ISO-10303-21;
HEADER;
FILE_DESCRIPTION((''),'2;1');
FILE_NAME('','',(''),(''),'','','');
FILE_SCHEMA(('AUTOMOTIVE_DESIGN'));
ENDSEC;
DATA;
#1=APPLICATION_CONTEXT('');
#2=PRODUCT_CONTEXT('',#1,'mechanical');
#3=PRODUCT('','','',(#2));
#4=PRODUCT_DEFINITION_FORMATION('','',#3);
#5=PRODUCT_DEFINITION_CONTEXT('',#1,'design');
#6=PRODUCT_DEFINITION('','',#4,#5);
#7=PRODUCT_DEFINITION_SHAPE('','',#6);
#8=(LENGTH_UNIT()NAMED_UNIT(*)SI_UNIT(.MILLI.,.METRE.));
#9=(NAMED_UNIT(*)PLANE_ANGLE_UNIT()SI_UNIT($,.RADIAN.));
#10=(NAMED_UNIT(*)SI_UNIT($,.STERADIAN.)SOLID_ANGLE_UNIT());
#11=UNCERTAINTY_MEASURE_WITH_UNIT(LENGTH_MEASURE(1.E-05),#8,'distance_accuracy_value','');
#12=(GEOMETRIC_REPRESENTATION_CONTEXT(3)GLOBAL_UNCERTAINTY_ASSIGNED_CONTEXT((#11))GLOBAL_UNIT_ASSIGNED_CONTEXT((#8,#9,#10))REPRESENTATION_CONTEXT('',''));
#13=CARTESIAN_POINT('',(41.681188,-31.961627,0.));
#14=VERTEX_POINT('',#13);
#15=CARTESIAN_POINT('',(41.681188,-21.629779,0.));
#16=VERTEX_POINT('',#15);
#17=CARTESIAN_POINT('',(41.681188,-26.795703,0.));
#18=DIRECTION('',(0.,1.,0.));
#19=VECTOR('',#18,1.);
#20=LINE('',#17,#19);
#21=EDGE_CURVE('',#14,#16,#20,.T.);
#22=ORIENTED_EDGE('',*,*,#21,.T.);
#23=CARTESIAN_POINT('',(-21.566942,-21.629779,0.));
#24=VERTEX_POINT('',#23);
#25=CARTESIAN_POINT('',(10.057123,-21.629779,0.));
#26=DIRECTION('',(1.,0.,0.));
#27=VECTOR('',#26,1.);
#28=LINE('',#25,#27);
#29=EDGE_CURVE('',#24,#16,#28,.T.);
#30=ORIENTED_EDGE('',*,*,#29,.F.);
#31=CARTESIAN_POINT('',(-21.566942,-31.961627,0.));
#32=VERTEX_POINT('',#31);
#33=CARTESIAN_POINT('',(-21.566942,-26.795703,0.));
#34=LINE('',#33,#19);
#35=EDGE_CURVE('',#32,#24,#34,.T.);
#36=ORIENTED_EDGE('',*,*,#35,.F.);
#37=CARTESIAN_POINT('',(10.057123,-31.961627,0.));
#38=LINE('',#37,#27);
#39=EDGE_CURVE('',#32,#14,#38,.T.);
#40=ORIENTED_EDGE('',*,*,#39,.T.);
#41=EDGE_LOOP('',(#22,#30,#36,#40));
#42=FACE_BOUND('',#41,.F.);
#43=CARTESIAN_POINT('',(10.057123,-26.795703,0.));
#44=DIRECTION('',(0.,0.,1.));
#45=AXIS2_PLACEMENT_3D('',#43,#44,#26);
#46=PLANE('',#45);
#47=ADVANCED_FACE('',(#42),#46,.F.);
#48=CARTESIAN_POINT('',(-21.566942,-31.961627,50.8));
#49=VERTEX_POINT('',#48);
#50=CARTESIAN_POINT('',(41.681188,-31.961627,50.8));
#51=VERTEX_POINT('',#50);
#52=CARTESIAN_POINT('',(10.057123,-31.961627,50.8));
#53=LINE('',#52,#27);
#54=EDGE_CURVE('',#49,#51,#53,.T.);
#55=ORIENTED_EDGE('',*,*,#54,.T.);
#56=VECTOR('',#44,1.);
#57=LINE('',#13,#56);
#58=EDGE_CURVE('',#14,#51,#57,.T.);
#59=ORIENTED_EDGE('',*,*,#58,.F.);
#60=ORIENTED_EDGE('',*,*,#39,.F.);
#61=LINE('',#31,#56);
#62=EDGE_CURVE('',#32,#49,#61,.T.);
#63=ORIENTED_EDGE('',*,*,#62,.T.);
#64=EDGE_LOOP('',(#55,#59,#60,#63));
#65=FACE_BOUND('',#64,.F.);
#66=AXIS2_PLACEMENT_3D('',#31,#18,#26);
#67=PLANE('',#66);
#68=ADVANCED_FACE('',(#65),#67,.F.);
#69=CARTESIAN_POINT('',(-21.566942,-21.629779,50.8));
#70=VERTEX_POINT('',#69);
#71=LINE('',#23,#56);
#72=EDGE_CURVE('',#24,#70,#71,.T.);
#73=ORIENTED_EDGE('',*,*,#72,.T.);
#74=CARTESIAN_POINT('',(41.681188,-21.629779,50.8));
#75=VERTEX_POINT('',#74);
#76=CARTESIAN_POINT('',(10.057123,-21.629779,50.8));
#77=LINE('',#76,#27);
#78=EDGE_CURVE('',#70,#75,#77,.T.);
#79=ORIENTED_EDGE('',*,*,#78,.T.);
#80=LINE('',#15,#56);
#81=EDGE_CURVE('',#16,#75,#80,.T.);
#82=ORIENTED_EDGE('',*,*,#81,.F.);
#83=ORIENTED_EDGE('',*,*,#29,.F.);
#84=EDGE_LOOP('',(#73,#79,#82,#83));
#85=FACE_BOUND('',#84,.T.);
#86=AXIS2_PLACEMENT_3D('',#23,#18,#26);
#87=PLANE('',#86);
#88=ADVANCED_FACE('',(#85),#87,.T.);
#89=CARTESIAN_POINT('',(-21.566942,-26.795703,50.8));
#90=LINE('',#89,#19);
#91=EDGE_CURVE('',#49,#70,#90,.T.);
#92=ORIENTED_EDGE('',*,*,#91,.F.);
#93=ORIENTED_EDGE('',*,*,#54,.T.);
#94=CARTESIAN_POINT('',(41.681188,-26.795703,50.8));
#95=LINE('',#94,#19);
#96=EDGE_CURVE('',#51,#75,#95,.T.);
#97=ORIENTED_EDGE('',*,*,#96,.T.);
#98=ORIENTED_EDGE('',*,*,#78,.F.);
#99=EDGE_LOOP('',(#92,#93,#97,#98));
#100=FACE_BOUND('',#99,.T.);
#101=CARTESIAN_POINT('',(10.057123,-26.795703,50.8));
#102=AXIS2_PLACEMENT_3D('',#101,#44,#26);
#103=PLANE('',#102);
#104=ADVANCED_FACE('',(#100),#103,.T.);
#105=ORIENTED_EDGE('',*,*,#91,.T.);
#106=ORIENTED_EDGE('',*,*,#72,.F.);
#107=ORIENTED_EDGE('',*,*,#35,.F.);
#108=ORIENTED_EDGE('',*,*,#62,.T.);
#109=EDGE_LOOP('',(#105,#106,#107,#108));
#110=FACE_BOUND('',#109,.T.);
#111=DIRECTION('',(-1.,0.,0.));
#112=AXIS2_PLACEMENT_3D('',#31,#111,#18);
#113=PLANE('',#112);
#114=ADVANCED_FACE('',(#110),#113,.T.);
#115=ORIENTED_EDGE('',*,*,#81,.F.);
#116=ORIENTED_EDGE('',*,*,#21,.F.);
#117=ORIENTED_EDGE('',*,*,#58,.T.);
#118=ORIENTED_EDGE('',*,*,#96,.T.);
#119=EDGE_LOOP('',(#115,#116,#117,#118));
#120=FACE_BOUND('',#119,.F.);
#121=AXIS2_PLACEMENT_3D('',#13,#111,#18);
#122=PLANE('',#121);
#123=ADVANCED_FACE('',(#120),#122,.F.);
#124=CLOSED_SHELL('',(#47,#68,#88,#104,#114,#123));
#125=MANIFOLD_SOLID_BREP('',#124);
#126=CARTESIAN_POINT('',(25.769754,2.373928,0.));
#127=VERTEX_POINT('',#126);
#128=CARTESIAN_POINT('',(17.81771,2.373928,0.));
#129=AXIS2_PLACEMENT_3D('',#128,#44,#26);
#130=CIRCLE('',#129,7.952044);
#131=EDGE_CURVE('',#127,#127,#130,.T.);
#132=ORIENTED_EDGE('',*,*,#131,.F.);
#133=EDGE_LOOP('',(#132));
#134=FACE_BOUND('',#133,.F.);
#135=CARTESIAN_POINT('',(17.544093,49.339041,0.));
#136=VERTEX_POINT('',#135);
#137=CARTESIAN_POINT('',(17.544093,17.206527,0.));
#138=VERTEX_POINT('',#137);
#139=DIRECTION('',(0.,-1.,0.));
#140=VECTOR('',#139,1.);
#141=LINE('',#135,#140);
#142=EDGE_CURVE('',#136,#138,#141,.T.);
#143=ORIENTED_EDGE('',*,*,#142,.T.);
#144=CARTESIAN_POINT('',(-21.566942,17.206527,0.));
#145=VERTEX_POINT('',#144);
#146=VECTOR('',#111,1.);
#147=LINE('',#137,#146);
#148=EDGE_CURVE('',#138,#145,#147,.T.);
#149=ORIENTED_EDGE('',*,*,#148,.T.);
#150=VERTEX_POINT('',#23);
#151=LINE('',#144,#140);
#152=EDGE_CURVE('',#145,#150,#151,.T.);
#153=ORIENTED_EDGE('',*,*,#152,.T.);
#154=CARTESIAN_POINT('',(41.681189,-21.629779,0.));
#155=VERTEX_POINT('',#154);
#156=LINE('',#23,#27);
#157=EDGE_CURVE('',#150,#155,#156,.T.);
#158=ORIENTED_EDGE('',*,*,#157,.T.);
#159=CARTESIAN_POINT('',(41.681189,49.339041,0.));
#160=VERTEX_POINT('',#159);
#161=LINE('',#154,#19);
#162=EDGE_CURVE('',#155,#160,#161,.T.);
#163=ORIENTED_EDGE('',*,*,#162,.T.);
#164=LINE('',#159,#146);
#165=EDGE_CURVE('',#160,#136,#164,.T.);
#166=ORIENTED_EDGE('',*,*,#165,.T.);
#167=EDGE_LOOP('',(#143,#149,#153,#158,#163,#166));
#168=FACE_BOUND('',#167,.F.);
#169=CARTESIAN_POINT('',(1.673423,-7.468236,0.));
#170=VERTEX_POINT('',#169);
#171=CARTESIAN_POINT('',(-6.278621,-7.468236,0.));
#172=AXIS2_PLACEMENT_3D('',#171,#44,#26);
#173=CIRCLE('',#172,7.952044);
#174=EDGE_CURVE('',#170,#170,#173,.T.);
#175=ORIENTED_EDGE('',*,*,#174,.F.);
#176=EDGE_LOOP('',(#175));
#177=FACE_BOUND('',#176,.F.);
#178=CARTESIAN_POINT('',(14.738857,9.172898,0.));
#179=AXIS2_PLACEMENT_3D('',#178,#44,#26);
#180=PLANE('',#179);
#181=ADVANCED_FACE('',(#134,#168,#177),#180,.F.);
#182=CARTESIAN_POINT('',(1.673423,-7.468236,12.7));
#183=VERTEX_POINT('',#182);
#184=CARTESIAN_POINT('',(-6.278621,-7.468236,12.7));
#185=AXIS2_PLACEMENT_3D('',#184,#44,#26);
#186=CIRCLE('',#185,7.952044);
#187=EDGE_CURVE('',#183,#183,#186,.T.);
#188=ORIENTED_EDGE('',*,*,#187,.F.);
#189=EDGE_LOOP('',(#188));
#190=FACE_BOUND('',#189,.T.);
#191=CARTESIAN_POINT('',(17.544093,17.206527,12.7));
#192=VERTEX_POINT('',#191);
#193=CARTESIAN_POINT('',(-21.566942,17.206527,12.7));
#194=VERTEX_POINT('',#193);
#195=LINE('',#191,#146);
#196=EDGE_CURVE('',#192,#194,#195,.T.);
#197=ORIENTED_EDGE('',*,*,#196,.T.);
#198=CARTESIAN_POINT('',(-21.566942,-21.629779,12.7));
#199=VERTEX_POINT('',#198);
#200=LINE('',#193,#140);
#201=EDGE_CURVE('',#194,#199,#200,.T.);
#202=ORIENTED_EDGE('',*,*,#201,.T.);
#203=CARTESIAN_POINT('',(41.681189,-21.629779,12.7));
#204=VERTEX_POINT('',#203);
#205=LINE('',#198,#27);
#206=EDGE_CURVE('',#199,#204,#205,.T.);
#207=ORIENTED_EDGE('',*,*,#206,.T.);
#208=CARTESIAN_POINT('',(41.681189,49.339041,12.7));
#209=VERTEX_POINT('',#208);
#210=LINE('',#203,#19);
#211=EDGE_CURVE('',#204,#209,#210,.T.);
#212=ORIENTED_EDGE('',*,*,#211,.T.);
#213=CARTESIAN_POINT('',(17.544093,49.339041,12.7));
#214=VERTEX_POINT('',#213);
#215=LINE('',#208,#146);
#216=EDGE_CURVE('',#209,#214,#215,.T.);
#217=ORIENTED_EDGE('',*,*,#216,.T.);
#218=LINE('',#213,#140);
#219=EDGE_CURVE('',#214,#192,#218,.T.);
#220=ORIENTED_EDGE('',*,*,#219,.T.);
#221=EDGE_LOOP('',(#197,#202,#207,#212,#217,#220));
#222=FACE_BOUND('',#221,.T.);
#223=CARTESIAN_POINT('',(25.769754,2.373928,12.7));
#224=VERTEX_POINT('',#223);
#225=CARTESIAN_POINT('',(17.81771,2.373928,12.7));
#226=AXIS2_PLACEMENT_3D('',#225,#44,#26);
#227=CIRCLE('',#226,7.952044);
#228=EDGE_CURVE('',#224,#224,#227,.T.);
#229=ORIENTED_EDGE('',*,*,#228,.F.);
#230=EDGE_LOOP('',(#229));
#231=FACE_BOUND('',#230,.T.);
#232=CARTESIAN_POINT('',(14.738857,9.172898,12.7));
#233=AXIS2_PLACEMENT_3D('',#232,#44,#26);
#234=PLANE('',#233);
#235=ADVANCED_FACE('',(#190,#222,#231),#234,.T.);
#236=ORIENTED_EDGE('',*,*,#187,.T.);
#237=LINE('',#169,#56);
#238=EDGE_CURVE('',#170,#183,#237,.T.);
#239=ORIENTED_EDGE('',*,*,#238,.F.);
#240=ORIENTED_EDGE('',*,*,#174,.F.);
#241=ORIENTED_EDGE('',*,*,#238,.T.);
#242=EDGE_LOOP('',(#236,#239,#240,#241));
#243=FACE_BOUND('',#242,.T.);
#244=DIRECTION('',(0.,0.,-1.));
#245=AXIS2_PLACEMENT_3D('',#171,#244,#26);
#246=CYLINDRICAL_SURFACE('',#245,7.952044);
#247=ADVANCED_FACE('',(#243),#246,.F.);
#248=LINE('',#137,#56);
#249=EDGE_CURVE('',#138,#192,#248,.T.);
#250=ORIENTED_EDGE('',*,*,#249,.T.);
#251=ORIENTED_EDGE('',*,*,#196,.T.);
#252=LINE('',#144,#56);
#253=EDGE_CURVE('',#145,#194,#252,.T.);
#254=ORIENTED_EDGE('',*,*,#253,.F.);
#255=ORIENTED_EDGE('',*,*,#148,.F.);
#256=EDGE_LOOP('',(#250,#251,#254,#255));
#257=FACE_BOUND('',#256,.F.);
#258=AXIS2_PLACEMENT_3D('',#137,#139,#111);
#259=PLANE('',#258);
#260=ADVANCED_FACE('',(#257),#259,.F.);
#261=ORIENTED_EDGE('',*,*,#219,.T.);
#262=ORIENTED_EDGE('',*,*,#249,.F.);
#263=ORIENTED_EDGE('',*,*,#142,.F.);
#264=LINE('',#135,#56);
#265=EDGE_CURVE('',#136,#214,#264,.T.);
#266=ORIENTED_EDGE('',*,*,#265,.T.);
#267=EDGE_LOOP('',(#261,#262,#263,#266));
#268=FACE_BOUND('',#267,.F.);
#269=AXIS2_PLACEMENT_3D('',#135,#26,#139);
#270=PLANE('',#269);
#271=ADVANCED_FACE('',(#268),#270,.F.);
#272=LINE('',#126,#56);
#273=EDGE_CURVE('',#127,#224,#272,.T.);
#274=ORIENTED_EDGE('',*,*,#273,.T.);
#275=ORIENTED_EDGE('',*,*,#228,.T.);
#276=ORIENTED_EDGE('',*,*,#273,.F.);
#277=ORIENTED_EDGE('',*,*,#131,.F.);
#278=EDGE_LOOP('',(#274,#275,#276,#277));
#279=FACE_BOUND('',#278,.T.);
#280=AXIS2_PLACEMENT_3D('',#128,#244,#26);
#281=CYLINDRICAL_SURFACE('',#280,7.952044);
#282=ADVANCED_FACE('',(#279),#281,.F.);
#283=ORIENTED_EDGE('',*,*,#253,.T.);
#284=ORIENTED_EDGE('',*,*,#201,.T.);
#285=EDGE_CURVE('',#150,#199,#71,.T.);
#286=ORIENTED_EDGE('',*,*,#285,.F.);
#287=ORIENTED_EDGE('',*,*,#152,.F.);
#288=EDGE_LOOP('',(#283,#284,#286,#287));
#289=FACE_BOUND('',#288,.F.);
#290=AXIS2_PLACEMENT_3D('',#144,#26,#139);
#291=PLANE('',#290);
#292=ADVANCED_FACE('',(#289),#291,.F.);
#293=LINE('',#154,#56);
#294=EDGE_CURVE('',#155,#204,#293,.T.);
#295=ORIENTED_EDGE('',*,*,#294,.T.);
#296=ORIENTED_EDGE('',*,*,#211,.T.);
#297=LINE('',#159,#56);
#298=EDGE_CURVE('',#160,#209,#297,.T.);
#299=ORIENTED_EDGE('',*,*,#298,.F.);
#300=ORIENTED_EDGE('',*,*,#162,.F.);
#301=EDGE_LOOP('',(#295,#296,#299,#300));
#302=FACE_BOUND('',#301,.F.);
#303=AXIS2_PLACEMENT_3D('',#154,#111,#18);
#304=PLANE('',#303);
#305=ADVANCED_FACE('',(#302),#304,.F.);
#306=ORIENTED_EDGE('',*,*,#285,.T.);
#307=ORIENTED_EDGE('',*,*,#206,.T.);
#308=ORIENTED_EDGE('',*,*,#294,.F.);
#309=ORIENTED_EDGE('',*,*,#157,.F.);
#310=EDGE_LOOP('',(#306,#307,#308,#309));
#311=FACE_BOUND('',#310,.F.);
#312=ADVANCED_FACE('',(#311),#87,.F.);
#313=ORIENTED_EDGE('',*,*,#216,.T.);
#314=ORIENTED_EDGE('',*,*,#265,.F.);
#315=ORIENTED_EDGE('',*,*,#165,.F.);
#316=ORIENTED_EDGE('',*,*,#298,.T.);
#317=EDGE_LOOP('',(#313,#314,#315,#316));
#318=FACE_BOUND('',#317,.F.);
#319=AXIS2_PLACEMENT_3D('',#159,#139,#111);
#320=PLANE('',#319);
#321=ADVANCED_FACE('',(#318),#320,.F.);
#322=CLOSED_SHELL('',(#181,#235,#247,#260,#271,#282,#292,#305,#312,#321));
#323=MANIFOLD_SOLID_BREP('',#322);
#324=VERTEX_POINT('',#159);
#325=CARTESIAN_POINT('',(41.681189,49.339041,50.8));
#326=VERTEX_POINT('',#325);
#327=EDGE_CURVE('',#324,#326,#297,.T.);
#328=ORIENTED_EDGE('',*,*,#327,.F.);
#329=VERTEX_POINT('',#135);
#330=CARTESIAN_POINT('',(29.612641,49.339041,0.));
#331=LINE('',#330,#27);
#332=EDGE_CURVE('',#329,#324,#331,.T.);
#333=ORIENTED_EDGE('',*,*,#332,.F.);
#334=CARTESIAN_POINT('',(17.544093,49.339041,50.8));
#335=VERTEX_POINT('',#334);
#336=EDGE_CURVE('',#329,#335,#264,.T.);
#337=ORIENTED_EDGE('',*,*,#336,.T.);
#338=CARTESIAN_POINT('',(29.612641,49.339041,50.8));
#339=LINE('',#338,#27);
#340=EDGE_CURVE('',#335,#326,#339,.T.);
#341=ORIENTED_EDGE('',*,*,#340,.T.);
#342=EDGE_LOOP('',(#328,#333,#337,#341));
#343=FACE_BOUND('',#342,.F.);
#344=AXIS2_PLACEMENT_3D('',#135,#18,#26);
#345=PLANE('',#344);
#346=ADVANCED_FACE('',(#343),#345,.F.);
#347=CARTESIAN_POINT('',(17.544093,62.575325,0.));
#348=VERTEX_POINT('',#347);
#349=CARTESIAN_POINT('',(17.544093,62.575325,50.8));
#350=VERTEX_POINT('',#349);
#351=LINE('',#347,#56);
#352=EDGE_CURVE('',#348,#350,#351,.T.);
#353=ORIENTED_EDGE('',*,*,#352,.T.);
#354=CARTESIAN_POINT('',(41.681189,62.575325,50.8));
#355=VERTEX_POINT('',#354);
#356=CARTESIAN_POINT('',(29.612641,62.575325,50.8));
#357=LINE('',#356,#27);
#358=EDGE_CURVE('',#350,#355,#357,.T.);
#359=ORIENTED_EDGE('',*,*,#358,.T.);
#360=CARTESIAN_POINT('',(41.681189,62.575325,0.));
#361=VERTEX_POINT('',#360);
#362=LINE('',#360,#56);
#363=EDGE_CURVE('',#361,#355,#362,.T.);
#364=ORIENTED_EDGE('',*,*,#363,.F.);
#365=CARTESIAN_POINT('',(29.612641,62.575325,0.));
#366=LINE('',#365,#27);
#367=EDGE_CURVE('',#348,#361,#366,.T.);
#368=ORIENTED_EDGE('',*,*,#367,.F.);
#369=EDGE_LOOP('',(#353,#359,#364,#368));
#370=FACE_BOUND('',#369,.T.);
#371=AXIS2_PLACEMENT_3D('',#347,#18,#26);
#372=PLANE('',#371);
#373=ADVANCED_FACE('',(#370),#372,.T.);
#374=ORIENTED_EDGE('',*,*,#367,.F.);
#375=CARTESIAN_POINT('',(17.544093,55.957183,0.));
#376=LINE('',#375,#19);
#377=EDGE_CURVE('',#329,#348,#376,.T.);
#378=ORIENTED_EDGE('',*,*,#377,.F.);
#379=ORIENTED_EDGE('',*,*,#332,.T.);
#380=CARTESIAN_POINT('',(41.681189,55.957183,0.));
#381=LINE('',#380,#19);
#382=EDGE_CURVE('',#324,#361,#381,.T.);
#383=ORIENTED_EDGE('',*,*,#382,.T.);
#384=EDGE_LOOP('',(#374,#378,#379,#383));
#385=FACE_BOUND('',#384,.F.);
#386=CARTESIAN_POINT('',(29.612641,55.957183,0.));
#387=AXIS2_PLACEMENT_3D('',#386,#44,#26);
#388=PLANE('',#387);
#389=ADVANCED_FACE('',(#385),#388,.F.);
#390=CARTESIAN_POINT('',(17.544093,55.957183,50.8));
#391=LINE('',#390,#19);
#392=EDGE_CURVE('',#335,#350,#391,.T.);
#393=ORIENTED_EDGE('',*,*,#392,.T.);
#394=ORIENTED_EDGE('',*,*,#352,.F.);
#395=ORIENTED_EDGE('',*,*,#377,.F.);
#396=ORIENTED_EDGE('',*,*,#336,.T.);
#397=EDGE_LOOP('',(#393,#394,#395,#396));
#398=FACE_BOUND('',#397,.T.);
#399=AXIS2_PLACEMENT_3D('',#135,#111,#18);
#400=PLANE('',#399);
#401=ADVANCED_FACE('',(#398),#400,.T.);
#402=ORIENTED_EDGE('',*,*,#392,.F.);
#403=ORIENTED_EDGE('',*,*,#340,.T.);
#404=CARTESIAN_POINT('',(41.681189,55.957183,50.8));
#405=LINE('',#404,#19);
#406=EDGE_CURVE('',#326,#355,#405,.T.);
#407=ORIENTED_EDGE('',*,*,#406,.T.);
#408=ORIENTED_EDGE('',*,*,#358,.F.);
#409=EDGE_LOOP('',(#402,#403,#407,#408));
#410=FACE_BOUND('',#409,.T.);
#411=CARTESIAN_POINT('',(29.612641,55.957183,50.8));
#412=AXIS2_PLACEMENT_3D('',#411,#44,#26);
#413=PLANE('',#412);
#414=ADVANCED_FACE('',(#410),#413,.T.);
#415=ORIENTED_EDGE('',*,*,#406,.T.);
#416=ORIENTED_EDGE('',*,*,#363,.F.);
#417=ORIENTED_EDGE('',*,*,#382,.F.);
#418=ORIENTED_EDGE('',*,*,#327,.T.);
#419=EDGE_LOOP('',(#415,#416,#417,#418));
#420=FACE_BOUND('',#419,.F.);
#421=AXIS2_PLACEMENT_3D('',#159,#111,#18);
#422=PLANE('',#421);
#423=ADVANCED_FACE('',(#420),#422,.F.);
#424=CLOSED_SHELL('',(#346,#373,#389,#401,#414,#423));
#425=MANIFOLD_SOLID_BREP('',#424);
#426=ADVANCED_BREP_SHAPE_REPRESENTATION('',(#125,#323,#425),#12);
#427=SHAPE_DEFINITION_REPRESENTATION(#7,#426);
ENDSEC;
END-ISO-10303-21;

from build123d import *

# Parameters (mm, degrees)
F0_W     = 24.137096
F0_H     = 13.236284
F0_W_2   = 63.248131
F0_H_2   = 10.331848
F1_DEPTH = 50.8
F0_R     = 7.952044
F2_DEPTH = 12.7


with BuildPart() as f1:
    # F0 (on Top) → F1 (new body)
    with BuildSketch(Plane.XY):
        with Locations((29.612641, 55.957183)):
            Rectangle(F0_W, F0_H)
        with Locations((10.057123, -26.795703)):
            Rectangle(F0_W_2, F0_H_2)
    extrude(amount=F1_DEPTH)


with BuildPart() as f2:
    # F0 (on Top) → F2 (new body)
    with BuildSketch(Plane.XY):
        Polygon((17.544093, 17.206527), (-21.566942, 17.206527), (-21.566942, -21.629779), (41.681189, -21.629779), (41.681189, 49.339041), (17.544093, 49.339041), align=None)
        with Locations((-6.278621, -7.468236)):
            Circle(F0_R, mode=Mode.SUBTRACT)
        with Locations((17.81771, 2.373928)):
            Circle(F0_R, mode=Mode.SUBTRACT)
    extrude(amount=F2_DEPTH)


solid = Compound([f1.part, f2.part])
